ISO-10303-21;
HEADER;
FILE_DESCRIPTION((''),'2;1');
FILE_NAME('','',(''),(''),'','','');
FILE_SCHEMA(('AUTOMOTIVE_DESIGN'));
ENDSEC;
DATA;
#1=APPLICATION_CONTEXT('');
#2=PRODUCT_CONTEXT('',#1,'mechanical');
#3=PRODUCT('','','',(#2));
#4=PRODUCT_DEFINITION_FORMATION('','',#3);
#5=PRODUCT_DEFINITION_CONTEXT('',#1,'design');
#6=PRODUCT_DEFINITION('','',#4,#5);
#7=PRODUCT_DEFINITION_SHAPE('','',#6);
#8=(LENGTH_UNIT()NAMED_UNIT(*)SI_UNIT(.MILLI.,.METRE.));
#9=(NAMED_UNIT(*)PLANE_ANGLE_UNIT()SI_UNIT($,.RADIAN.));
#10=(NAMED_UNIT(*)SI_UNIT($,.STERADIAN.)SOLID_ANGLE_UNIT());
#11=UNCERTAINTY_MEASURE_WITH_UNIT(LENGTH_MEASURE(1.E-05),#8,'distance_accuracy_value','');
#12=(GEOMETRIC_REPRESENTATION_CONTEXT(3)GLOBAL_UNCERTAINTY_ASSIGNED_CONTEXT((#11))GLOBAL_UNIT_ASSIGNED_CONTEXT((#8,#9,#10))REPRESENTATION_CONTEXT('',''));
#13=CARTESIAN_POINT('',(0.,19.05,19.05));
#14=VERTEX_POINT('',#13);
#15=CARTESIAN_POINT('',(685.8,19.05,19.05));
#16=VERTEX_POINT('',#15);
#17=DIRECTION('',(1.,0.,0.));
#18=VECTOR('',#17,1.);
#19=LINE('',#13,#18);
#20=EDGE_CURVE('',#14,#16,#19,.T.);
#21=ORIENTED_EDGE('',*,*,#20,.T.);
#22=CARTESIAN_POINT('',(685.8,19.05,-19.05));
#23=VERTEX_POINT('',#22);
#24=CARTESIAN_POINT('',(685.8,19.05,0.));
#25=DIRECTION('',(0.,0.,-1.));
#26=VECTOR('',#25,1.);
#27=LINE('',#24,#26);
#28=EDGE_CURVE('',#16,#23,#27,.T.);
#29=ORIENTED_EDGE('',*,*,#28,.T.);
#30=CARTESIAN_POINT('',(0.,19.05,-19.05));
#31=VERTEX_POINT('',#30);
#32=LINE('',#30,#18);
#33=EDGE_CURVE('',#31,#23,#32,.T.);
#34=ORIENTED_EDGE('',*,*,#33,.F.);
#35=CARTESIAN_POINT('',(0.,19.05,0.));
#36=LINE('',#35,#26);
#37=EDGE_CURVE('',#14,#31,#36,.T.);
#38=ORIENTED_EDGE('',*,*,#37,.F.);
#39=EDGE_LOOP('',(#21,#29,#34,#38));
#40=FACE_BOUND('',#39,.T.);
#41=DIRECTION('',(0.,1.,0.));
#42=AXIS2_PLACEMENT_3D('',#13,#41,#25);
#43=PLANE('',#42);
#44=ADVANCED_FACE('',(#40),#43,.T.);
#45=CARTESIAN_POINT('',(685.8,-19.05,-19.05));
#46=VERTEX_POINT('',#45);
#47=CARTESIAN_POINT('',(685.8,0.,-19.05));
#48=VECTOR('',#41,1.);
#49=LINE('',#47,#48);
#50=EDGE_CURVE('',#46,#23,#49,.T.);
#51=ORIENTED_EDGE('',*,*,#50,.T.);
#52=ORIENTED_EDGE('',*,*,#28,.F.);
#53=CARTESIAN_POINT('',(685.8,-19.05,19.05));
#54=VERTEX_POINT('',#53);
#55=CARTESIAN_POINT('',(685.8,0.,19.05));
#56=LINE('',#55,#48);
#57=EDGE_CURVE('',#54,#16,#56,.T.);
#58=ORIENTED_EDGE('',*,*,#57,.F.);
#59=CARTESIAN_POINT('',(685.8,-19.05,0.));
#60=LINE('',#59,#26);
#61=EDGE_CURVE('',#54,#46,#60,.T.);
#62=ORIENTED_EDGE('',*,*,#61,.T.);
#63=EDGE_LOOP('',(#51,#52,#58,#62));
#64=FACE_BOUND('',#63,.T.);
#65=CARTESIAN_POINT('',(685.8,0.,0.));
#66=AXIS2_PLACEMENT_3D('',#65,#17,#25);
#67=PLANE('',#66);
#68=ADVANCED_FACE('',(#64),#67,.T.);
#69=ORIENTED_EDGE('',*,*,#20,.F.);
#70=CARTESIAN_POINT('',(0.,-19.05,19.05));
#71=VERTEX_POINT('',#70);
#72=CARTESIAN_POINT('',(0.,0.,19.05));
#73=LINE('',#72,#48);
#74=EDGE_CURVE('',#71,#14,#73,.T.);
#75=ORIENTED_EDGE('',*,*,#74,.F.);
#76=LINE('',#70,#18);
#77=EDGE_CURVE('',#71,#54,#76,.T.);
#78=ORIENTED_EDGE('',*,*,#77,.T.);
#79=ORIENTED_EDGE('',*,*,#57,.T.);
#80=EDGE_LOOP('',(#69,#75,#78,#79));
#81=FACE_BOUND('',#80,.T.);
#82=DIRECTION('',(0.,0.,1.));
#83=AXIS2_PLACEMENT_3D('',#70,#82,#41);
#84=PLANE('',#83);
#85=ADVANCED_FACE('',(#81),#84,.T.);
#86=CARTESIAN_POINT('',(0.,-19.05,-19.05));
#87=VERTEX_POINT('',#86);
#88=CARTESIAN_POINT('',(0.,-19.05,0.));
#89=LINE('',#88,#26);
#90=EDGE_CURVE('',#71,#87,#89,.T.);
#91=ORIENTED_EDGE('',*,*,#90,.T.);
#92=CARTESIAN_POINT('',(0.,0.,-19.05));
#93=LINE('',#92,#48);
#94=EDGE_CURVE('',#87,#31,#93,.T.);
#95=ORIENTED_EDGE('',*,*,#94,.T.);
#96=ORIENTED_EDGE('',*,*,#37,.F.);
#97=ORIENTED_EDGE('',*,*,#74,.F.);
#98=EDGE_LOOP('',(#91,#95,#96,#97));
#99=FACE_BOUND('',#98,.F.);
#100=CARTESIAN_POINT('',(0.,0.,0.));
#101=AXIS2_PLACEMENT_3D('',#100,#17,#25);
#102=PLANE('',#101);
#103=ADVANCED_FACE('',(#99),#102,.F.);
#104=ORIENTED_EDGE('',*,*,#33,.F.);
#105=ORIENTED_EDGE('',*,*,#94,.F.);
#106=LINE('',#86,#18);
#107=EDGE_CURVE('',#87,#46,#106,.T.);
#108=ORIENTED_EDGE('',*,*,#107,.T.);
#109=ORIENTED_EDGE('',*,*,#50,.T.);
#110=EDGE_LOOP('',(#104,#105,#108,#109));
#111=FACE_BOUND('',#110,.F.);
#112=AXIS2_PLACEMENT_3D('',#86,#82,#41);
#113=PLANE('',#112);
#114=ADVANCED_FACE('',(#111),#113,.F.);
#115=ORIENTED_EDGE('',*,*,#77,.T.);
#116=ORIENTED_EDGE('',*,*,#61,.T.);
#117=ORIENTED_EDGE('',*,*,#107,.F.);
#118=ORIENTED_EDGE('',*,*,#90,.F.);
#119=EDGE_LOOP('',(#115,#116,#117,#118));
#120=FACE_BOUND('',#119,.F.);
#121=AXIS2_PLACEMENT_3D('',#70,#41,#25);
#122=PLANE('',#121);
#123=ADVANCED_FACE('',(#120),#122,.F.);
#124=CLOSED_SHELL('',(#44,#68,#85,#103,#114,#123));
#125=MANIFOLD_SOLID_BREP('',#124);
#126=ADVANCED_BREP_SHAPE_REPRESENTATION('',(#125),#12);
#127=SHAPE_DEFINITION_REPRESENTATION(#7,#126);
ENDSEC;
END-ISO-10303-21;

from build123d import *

# Parameters (mm, degrees)
SKETCH1_W           = 38.1
SKETCH1_H           = 38.1
BOSS_EXTRUDE1_DEPTH = 685.8


with BuildPart() as part:
    # Sketch1 → Boss-Extrude1 (new body)
    with BuildSketch(Plane(origin=(0, 0, 0), x_dir=(0, 0, -1), z_dir=(1, 0, 0))):
        Rectangle(SKETCH1_W, SKETCH1_H)
    extrude(amount=BOSS_EXTRUDE1_DEPTH)


solid = part.part
